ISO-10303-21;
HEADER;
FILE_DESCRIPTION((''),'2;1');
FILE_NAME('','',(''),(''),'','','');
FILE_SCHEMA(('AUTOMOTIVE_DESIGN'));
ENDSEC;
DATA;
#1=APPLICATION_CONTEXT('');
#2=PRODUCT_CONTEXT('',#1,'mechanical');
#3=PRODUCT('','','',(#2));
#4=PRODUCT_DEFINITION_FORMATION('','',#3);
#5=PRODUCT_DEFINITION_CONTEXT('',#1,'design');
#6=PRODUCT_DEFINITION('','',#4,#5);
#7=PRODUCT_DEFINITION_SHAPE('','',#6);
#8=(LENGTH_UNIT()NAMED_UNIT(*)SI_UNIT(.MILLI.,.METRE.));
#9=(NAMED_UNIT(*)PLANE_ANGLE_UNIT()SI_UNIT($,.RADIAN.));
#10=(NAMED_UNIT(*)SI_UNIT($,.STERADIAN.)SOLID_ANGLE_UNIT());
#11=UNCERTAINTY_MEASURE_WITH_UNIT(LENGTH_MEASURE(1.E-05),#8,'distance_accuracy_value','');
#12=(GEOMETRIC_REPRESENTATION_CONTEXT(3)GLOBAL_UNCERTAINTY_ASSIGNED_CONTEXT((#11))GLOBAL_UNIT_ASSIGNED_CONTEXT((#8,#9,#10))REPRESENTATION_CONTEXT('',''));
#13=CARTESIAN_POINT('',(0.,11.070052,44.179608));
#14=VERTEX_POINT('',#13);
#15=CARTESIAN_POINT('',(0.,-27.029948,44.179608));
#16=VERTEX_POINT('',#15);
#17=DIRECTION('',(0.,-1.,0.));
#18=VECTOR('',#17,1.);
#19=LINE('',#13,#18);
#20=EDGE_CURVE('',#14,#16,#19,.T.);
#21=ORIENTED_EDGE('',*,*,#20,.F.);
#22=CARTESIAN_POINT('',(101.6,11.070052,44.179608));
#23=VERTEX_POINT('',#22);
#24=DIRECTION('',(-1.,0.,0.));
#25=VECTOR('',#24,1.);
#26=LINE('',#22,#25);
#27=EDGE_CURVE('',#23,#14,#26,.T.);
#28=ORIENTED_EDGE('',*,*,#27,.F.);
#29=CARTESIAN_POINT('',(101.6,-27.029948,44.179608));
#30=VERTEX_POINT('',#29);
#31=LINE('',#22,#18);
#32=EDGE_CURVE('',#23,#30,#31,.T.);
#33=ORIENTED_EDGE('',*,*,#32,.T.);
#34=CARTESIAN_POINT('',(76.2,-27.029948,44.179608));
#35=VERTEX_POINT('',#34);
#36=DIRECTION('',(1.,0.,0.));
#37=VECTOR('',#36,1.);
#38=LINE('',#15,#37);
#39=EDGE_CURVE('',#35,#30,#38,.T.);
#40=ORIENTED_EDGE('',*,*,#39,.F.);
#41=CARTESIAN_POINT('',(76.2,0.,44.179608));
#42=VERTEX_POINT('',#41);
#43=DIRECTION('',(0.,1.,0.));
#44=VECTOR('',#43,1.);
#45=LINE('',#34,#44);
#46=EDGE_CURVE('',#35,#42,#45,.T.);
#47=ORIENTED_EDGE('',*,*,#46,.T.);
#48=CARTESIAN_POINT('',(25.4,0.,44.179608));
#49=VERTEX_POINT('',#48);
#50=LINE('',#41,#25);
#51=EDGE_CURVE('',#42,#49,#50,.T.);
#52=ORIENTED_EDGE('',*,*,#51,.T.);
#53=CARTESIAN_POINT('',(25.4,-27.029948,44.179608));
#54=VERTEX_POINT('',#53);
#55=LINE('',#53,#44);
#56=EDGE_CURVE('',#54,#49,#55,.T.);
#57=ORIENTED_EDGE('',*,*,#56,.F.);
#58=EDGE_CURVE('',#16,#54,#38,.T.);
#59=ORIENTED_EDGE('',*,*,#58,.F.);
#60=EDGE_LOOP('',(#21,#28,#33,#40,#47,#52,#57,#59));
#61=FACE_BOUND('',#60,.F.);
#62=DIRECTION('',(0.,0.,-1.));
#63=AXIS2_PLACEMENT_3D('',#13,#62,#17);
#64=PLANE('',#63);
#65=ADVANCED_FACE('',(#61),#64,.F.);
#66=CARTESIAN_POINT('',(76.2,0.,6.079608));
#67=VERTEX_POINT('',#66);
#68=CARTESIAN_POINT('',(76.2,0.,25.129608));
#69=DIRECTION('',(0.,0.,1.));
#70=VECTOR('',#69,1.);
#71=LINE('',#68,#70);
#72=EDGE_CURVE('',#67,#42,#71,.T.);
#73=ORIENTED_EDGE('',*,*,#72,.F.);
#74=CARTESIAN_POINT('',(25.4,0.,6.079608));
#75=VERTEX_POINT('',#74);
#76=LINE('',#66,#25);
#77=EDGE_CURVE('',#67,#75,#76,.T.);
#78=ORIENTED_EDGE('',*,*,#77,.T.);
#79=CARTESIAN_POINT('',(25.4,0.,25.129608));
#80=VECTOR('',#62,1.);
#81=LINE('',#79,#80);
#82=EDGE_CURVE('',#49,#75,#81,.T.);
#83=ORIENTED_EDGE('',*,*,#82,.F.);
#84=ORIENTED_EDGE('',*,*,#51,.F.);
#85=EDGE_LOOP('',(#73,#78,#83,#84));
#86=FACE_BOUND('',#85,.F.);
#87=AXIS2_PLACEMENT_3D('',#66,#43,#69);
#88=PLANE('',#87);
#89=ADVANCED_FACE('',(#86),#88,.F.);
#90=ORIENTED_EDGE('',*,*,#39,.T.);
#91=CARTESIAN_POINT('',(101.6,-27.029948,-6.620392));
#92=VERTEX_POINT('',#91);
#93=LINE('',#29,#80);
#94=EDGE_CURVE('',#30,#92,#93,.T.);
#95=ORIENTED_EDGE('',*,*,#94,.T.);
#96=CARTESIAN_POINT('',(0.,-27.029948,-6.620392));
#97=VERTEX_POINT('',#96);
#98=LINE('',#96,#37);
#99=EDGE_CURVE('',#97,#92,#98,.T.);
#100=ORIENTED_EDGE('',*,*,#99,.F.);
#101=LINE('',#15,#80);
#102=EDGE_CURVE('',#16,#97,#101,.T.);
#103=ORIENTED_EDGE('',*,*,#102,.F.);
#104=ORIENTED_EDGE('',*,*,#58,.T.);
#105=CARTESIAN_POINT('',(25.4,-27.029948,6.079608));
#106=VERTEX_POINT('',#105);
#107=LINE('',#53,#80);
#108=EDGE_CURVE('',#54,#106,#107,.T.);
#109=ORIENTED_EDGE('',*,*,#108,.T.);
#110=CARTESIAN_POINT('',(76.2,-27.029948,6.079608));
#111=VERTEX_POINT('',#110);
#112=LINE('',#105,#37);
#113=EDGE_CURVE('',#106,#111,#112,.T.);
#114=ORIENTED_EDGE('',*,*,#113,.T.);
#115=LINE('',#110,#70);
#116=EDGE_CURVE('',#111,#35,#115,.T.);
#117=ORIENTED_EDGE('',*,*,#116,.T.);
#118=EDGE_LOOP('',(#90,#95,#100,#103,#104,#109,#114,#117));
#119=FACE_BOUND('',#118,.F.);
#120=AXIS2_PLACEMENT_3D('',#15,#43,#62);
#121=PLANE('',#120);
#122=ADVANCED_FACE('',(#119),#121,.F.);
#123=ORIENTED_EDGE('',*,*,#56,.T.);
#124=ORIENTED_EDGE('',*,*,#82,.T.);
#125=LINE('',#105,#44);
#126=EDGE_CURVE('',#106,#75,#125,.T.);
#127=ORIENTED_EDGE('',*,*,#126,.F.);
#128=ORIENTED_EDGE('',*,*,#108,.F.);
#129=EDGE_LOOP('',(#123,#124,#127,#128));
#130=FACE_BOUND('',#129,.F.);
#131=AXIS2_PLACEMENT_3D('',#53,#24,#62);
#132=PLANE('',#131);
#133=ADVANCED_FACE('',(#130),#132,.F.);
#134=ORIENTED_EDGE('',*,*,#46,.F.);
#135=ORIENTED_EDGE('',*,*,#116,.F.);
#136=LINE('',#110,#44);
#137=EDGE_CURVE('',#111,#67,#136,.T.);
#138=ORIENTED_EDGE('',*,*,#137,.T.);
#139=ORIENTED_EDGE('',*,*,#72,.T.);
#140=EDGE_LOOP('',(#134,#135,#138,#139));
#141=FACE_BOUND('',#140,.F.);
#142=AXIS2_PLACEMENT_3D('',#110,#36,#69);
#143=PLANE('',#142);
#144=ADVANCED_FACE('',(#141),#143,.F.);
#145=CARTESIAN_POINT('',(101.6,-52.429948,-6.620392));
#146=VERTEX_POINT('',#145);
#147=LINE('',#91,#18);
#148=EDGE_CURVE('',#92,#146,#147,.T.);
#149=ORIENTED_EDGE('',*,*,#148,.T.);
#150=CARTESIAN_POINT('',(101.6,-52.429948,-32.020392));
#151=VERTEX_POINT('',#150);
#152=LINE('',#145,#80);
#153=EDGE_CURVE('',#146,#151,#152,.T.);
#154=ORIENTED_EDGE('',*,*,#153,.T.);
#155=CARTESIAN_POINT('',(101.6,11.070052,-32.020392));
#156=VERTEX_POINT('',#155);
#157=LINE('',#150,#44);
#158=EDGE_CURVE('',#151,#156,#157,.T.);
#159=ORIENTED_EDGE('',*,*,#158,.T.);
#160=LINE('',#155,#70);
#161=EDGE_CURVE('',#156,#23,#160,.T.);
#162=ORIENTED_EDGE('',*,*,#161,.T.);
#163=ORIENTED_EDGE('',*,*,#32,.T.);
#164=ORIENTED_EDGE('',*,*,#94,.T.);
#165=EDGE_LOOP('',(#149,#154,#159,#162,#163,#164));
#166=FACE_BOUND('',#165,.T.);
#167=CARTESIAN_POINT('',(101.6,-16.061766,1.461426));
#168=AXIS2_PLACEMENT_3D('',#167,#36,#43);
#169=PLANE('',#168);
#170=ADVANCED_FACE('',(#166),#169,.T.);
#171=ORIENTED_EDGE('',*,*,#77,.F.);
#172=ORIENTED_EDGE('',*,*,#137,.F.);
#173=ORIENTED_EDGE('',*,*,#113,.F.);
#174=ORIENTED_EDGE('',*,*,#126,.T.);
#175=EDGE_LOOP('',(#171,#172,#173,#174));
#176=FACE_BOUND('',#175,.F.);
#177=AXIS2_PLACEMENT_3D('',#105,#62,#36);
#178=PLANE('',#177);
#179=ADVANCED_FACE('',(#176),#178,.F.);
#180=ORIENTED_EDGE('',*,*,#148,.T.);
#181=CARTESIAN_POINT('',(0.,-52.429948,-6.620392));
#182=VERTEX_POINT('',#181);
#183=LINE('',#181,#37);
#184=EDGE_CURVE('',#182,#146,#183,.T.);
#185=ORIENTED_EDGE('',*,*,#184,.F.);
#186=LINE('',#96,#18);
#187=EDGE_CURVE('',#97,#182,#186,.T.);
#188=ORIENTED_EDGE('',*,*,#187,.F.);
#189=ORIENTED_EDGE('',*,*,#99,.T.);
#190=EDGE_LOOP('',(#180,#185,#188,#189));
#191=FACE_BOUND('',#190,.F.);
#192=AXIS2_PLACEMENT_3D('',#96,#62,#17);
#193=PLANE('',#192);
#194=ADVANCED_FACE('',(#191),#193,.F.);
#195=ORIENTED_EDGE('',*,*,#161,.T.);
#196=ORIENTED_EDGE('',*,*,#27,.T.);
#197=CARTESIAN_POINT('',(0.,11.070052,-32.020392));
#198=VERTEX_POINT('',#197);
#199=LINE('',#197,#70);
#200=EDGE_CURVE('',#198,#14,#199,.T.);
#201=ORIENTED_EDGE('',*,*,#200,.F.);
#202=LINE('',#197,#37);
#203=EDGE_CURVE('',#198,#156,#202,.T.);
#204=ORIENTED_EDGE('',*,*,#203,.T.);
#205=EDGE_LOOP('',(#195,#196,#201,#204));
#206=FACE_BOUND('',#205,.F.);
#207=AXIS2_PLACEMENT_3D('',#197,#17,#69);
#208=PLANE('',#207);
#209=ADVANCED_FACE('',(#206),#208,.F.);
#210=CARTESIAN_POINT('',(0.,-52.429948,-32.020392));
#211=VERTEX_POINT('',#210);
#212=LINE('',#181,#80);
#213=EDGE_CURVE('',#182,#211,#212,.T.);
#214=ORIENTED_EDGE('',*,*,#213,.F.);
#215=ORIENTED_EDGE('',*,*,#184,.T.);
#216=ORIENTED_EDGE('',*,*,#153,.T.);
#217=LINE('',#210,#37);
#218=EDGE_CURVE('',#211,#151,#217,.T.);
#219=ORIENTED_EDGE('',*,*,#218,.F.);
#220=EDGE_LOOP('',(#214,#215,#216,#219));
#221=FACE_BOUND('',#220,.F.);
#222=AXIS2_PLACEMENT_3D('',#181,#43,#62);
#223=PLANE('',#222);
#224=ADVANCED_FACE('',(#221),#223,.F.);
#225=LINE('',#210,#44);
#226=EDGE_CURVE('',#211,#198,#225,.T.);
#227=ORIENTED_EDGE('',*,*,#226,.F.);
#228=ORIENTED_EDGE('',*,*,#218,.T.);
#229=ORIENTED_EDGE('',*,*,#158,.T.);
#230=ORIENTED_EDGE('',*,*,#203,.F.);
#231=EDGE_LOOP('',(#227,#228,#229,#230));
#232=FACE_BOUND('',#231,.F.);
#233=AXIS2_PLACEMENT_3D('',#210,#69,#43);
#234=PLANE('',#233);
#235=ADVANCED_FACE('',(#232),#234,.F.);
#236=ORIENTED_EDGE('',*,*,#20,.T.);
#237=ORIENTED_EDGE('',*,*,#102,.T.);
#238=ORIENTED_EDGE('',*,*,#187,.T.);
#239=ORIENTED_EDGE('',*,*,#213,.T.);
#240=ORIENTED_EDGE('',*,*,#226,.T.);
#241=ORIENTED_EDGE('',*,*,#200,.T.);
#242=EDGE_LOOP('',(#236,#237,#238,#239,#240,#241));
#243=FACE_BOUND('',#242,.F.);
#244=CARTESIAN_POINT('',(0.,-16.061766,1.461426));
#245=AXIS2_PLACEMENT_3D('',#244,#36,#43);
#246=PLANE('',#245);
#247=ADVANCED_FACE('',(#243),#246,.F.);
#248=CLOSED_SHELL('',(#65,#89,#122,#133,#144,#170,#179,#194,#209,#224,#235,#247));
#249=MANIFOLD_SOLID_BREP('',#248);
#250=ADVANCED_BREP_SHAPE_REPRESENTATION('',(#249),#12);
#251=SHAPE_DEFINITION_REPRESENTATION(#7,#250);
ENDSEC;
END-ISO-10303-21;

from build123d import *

# Parameters (mm, degrees)
F1_DEPTH = 101.6
F3_DEPTH = 130.048
F4_W     = 11.070052
F4_H     = 38.1
F5_DEPTH = 60.198


with BuildPart() as f1:
    # F0 (on Right) → F1 (new body)
    with BuildSketch(Plane.YZ):
        Polygon((11.070052, 44.179608), (-27.029948, 44.179608), (-27.029948, -6.620392), (-52.429948, -6.620392), (-52.429948, -32.020392), (11.070052, -32.020392), align=None)
    extrude(amount=F1_DEPTH)

    # F2 (on face) → F3 (cut)
    with BuildSketch(Plane.XZ.offset(27.029948)):
        Polygon((76.2, 44.179608), (50.8, 44.179608), (25.4, 44.179608), (25.4, 6.079608), (76.2, 6.079608), align=None)
    extrude(amount=-F3_DEPTH, mode=Mode.SUBTRACT)

    # F4 (on face) → F5 (join)
    with BuildSketch(Plane(origin=(76.2, 0, 0), x_dir=(0, -1, 0), z_dir=(-1, 0, 0))):
        with Locations((-5.535026, 25.129608)):
            Rectangle(F4_W, F4_H)
    extrude(amount=F5_DEPTH)


solid = f1.part
